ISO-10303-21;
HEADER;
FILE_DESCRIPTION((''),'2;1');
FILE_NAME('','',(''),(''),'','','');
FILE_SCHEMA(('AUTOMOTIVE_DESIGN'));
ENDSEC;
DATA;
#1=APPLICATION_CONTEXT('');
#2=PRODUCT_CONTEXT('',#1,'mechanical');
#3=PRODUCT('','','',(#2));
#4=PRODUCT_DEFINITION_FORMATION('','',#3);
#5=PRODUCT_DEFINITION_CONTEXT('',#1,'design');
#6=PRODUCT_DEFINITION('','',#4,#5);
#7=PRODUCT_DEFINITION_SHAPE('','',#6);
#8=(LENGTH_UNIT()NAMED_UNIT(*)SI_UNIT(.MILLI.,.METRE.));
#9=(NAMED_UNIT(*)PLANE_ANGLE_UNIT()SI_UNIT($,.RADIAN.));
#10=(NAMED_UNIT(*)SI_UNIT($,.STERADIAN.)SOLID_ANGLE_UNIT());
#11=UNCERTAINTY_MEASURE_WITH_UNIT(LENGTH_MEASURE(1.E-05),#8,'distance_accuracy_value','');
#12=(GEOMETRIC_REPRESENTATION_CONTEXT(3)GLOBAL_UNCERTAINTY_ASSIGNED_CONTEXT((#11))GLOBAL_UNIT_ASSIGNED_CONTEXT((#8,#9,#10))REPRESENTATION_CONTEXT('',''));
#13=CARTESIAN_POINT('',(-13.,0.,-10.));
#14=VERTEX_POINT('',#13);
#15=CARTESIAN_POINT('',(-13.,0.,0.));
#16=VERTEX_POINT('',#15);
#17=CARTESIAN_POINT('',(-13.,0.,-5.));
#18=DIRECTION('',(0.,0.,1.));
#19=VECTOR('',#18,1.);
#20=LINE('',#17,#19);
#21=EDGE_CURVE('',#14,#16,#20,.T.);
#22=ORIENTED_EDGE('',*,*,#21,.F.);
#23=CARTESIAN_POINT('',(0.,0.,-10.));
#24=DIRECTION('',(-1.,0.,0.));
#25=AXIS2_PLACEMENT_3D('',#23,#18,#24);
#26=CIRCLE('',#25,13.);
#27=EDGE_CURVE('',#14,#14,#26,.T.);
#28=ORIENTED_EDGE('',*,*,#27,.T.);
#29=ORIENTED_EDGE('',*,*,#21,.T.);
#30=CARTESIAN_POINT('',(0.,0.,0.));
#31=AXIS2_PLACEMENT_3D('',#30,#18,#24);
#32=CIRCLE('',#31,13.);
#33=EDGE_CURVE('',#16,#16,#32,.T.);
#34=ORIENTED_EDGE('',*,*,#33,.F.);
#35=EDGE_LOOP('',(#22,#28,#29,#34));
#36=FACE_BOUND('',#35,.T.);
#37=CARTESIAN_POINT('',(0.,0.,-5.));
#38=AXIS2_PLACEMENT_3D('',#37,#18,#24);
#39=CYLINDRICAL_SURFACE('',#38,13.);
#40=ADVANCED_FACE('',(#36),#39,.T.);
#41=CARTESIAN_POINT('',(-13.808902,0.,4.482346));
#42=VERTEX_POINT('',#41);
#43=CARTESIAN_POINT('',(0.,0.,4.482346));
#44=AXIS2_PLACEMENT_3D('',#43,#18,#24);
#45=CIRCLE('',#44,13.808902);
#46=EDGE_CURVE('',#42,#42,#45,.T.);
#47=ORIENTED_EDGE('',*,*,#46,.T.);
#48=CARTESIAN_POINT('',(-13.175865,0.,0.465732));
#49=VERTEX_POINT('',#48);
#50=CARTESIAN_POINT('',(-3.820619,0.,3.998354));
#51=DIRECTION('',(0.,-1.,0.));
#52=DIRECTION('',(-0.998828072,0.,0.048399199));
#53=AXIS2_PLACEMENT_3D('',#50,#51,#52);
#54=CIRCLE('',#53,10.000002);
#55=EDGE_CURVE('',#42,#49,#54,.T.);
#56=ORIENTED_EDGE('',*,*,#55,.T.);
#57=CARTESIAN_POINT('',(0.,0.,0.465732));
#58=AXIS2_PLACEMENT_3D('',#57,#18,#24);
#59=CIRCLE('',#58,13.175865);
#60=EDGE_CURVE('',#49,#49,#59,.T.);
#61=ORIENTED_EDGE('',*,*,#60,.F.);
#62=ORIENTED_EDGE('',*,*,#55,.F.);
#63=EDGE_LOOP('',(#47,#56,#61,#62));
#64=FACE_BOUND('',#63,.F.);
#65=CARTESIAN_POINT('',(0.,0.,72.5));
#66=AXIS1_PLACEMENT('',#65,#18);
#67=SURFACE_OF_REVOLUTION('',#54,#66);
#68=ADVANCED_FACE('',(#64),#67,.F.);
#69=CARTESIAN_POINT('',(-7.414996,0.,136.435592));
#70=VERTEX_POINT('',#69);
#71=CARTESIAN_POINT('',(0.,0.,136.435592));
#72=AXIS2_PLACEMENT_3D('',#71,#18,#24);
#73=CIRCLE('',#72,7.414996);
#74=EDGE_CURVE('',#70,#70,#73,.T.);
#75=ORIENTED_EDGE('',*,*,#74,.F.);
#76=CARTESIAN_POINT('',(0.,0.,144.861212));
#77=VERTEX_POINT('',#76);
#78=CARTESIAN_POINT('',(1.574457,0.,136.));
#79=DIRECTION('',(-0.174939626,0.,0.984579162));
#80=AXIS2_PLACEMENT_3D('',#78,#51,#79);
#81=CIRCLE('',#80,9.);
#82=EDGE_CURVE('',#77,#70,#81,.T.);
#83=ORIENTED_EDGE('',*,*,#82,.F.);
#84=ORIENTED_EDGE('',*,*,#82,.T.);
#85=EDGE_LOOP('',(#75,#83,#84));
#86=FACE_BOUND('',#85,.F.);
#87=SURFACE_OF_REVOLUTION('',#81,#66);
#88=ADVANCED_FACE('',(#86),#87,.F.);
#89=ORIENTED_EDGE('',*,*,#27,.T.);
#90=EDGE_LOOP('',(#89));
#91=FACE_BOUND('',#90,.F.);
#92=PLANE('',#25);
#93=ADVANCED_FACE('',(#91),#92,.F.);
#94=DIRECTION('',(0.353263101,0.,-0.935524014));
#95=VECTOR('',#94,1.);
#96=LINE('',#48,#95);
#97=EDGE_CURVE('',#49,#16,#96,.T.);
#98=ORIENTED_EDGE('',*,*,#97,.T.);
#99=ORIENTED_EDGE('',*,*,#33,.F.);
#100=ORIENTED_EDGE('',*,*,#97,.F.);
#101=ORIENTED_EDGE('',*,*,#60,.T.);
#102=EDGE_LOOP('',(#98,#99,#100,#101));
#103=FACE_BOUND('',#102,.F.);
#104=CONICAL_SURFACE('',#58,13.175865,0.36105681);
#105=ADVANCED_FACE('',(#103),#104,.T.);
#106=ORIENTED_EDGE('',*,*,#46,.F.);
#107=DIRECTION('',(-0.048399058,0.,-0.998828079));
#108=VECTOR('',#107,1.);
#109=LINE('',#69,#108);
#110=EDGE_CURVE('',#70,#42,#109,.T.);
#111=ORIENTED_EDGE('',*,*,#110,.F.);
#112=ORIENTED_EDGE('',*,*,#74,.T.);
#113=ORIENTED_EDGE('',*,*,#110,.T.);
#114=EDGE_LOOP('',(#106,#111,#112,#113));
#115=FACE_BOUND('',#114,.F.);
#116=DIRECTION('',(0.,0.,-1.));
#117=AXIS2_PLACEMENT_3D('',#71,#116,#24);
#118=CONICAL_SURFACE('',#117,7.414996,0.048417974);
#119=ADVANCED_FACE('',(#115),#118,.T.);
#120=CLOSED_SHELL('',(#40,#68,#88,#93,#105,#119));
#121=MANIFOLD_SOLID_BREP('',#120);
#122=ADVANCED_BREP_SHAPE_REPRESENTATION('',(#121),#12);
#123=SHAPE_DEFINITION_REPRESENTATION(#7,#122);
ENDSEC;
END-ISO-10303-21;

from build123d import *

# Parameters (mm, degrees)
F0_W = 13
F0_H = 10


with BuildPart() as f1:
    # F0 (on Front) → F1 (revolve)
    with BuildSketch(Plane.XZ):
        with BuildLine():
            Line((-13.175865, 0.465732), (-13, 0))
            Line((-13, 0), (0, 0))
            Line((0, 0), (0, 144.861212))
            ThreePointArc((0, 144.861212), (-5.181786, 141.945854), (-7.414996, 136.435592))
            Line((-7.414996, 136.435592), (-13.808902, 4.482346))
            ThreePointArc((-13.808902, 4.482346), (-13.698692, 2.441524), (-13.175865, 0.465732))
        make_face()
        with Locations((-6.5, -5)):
            Rectangle(F0_W, F0_H)
    revolve(axis=Axis((0, 0, 72.5), (0, 0, 1)))


solid = f1.part
